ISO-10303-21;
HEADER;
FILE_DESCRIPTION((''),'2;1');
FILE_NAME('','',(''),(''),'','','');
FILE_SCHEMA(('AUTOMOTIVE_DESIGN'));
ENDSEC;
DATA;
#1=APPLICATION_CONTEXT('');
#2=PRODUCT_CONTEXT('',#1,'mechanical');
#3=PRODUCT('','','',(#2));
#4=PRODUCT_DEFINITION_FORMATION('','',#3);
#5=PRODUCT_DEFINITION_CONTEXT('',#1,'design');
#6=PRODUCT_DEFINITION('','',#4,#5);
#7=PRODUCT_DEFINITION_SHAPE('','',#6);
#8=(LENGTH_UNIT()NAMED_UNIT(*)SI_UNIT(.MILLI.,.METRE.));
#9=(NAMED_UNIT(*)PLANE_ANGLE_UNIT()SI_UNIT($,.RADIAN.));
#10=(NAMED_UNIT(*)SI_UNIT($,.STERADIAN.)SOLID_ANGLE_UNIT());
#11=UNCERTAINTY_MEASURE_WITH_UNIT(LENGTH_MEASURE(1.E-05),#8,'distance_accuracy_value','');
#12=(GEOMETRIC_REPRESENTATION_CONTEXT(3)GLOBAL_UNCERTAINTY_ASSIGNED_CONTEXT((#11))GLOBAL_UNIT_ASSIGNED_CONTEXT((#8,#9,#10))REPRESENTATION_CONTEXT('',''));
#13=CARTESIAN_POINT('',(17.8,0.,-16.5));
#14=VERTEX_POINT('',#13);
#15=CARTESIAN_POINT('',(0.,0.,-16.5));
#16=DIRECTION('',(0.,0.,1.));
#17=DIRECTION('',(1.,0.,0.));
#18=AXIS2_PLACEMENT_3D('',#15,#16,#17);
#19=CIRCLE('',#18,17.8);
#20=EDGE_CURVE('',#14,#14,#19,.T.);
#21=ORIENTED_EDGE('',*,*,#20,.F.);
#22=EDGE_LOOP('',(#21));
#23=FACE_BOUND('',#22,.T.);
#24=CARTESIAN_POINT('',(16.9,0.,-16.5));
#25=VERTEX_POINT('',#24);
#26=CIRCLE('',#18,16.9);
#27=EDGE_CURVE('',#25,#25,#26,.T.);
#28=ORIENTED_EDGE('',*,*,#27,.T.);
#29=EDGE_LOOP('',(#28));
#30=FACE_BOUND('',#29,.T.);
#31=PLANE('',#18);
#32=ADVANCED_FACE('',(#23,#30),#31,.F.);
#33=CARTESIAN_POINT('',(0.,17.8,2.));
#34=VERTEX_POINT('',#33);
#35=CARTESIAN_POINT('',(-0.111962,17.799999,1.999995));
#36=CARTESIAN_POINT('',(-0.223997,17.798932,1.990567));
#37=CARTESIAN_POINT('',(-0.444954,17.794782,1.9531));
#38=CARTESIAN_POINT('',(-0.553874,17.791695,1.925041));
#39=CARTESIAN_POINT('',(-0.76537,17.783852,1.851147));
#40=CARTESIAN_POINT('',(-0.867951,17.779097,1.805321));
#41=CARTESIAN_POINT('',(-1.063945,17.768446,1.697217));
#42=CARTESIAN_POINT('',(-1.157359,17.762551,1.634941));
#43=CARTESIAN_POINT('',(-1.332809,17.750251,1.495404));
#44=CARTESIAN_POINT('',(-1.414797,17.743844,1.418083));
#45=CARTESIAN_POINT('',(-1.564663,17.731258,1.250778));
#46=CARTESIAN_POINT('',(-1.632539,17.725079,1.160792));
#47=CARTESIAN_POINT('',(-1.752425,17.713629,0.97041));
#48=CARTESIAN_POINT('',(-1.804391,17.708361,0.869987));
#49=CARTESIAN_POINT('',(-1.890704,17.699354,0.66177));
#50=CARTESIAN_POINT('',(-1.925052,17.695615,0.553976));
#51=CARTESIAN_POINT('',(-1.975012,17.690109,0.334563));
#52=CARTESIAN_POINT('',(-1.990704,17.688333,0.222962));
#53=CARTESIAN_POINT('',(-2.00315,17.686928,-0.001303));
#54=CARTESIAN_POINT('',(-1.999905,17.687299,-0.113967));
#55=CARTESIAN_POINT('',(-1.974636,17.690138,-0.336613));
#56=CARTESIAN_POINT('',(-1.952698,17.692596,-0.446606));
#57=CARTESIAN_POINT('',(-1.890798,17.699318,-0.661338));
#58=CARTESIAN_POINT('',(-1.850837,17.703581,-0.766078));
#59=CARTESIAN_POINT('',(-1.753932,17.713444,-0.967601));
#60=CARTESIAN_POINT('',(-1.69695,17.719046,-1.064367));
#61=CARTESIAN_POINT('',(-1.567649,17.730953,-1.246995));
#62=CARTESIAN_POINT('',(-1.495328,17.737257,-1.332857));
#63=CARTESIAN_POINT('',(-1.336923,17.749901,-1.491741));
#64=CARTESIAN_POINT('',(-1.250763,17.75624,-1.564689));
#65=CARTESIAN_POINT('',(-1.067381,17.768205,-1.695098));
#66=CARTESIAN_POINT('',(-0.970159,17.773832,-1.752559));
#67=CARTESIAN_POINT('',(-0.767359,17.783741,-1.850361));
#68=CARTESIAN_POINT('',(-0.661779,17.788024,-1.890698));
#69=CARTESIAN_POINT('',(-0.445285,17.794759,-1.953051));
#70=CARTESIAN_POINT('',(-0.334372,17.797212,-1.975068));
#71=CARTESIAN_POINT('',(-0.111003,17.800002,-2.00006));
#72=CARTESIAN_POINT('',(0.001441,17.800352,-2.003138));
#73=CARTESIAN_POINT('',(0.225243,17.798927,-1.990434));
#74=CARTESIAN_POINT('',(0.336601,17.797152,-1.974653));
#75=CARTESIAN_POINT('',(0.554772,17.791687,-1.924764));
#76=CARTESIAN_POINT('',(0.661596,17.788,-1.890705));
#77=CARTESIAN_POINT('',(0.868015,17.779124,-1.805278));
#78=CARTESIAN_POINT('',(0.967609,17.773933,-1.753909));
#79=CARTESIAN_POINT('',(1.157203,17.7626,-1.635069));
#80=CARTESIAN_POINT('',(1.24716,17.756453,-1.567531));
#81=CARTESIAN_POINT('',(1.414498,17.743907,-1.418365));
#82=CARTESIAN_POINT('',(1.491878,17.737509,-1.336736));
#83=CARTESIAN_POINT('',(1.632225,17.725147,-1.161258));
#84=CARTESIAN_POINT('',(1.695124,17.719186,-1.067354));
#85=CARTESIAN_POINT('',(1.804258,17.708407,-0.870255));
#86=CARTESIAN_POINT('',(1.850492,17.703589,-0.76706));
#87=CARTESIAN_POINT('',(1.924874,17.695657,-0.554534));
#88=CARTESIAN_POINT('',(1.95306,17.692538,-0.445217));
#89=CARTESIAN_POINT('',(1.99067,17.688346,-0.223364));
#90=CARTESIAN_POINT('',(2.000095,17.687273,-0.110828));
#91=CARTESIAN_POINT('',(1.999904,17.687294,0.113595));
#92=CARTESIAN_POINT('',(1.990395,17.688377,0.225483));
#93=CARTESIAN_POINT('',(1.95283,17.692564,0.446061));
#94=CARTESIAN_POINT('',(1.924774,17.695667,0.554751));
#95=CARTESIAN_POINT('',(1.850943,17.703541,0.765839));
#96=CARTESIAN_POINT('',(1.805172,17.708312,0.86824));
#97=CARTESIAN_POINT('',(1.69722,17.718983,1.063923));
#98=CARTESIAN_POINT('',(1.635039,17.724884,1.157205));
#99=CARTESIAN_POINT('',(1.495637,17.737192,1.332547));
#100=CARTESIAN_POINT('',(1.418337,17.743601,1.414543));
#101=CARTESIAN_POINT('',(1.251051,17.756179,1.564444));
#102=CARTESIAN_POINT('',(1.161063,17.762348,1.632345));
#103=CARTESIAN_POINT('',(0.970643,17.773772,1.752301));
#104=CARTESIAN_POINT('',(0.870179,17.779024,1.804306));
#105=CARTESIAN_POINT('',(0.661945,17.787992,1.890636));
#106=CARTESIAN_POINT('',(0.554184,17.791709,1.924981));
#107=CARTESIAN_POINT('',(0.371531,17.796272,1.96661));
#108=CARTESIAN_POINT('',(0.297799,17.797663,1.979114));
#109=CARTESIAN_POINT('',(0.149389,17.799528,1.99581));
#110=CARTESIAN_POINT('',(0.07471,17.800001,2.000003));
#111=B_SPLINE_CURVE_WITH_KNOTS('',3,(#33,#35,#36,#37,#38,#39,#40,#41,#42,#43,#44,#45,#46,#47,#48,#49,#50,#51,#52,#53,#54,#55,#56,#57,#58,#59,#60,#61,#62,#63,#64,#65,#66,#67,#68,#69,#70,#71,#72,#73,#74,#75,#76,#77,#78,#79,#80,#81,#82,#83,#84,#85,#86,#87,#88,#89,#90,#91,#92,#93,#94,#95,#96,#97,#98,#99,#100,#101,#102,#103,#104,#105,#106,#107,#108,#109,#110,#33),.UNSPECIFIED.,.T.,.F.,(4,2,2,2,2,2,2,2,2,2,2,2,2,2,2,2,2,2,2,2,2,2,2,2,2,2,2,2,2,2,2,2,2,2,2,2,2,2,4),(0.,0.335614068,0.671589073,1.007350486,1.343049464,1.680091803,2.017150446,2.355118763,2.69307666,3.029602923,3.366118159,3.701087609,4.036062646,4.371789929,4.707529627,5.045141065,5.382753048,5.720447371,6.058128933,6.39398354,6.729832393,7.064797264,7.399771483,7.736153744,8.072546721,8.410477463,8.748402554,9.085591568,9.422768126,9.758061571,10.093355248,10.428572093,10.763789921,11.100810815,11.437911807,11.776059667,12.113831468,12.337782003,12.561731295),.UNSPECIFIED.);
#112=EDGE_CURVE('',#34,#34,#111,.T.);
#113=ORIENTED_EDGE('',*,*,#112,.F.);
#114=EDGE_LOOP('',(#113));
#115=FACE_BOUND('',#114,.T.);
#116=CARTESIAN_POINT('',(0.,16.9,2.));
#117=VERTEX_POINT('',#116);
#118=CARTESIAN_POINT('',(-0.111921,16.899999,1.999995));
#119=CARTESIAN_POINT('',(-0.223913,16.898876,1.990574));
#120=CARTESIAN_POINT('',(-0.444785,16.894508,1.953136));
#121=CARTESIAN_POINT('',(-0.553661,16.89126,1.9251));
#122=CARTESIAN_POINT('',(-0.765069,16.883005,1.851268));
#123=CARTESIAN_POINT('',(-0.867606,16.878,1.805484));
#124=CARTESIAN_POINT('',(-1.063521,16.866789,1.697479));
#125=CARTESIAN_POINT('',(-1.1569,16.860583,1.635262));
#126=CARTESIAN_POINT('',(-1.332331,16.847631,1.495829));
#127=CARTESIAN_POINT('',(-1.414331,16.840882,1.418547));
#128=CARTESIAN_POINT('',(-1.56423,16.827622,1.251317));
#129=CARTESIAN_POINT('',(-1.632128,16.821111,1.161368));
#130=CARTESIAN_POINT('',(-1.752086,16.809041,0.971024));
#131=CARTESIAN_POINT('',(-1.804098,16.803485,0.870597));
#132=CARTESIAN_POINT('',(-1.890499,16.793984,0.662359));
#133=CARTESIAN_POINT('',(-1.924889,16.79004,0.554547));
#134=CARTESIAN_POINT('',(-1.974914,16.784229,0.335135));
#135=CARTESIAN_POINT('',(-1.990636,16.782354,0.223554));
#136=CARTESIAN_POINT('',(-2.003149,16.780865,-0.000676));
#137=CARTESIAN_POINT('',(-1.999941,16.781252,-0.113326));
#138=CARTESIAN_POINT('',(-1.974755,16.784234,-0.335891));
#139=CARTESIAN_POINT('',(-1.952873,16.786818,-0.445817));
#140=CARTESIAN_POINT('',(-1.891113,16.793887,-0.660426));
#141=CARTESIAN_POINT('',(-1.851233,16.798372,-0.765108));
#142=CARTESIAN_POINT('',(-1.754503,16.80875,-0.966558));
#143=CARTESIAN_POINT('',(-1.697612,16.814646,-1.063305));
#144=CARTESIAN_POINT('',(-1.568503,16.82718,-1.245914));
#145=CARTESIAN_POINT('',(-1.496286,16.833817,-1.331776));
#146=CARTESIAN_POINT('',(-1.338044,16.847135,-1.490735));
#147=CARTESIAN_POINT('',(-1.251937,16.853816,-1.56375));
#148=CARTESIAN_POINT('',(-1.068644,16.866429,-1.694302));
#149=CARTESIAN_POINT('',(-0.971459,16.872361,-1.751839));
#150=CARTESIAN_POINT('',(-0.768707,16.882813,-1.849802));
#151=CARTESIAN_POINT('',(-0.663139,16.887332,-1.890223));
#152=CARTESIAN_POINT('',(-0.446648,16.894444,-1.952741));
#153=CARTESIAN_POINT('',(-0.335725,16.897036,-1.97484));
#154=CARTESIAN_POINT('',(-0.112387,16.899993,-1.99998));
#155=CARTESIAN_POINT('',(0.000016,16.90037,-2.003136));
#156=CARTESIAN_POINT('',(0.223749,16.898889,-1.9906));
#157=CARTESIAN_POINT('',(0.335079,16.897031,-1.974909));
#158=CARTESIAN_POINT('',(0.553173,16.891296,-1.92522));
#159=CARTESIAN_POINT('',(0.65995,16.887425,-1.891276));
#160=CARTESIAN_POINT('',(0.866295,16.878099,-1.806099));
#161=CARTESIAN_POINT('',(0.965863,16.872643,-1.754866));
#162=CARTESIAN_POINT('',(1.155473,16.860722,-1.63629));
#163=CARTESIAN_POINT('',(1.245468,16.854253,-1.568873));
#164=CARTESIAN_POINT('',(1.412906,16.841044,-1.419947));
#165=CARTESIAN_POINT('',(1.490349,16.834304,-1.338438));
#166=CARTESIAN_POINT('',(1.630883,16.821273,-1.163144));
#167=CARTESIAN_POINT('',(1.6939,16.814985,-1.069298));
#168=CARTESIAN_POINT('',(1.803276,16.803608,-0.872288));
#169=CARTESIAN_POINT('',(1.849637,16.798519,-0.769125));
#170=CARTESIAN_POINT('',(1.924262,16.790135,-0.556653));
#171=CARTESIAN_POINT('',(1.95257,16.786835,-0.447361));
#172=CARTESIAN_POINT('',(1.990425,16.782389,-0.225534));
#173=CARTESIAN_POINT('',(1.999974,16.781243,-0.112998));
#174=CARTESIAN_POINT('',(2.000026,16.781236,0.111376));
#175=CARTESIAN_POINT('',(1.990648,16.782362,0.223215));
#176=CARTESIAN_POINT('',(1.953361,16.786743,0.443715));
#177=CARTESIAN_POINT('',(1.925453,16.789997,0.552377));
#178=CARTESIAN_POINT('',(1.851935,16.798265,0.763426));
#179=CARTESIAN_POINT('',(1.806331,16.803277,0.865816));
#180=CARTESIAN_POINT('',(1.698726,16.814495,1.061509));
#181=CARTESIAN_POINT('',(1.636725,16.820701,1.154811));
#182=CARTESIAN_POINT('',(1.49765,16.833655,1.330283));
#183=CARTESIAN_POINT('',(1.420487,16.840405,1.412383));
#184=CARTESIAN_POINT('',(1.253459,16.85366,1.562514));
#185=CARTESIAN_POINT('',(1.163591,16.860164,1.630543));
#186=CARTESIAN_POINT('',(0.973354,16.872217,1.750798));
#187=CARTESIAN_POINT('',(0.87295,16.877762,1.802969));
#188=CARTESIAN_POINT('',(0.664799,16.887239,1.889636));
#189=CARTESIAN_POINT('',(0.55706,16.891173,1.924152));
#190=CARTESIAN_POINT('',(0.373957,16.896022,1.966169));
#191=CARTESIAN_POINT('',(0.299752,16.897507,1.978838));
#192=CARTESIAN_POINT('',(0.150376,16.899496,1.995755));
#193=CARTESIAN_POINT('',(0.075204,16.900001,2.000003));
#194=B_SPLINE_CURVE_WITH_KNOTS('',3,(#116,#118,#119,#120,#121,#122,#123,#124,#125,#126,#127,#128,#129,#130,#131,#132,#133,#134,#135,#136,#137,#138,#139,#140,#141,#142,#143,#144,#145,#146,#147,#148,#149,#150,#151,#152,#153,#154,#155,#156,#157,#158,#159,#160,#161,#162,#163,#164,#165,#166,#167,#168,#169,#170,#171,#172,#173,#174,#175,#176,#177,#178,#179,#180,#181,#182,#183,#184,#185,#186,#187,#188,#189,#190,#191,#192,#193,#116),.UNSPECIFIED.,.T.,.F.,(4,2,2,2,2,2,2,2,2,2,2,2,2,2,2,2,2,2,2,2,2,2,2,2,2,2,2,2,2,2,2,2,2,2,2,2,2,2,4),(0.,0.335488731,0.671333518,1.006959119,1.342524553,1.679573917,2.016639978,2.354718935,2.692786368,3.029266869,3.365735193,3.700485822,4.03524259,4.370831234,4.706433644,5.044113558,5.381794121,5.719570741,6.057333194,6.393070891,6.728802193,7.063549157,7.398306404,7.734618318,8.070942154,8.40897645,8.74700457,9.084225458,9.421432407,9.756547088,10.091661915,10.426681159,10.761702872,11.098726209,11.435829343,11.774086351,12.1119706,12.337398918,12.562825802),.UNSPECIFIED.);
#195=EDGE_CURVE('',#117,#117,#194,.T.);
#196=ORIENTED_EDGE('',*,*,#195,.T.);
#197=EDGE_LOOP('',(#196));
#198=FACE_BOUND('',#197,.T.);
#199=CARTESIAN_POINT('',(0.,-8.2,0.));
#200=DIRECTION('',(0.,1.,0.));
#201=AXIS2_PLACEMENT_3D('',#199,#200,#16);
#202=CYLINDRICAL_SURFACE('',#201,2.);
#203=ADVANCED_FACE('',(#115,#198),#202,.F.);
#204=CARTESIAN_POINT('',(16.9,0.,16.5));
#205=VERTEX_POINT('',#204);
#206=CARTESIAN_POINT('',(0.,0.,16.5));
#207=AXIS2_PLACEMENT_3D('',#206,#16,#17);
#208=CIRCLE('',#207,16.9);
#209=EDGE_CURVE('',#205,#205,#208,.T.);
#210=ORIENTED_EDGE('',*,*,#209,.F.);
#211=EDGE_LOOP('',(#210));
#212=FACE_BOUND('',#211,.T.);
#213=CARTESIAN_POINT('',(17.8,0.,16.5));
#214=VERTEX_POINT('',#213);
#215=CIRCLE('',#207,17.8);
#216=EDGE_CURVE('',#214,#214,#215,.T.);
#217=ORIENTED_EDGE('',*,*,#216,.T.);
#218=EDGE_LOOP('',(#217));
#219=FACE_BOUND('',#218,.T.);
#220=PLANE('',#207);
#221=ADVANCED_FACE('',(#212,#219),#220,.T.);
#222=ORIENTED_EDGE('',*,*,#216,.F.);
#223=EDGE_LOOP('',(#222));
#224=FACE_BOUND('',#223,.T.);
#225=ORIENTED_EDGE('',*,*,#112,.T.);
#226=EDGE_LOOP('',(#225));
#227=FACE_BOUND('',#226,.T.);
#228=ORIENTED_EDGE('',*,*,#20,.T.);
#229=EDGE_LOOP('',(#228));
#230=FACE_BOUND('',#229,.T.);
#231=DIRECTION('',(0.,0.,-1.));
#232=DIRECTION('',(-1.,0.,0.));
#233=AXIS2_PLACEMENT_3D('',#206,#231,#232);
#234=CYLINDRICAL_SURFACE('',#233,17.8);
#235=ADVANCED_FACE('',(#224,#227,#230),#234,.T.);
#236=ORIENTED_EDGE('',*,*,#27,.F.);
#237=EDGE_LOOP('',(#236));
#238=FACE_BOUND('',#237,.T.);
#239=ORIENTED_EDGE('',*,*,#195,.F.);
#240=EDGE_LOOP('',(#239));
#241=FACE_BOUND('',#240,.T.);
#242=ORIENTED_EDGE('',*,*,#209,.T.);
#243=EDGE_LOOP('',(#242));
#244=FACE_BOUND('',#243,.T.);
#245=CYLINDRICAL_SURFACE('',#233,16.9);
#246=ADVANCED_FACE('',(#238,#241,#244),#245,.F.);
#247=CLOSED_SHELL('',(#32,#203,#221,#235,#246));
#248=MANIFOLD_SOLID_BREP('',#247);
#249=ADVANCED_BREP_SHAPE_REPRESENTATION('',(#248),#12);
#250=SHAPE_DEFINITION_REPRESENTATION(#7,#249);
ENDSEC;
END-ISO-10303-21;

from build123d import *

# Parameters (mm, degrees)
CROQUIS1_R              = 17.8
CROQUIS1_R_2            = 16.9
SALIENTE_EXTRUIR1_DEPTH = 16.5
CROQUIS2_R              = 2
CORTAR_EXTRUIR1_DEPTH   = 26


with BuildPart() as part:
    # Croquis1 → Saliente-Extruir1 (new, symmetric)
    with BuildSketch(Plane.XY):
        Circle(CROQUIS1_R)
        Circle(CROQUIS1_R_2, mode=Mode.SUBTRACT)
    extrude(amount=SALIENTE_EXTRUIR1_DEPTH, both=True)

    # Croquis2 → Cortar-Extruir1 (cut)
    with BuildSketch(Plane(origin=(0, 17.8, 0), x_dir=(-1, 0, 0), z_dir=(0, 1, 0))):
        with Locations(Location((0, 0, 0), (0, 0, 90))):
            Circle(CROQUIS2_R)
    extrude(amount=-CORTAR_EXTRUIR1_DEPTH, mode=Mode.SUBTRACT)


solid = part.part
